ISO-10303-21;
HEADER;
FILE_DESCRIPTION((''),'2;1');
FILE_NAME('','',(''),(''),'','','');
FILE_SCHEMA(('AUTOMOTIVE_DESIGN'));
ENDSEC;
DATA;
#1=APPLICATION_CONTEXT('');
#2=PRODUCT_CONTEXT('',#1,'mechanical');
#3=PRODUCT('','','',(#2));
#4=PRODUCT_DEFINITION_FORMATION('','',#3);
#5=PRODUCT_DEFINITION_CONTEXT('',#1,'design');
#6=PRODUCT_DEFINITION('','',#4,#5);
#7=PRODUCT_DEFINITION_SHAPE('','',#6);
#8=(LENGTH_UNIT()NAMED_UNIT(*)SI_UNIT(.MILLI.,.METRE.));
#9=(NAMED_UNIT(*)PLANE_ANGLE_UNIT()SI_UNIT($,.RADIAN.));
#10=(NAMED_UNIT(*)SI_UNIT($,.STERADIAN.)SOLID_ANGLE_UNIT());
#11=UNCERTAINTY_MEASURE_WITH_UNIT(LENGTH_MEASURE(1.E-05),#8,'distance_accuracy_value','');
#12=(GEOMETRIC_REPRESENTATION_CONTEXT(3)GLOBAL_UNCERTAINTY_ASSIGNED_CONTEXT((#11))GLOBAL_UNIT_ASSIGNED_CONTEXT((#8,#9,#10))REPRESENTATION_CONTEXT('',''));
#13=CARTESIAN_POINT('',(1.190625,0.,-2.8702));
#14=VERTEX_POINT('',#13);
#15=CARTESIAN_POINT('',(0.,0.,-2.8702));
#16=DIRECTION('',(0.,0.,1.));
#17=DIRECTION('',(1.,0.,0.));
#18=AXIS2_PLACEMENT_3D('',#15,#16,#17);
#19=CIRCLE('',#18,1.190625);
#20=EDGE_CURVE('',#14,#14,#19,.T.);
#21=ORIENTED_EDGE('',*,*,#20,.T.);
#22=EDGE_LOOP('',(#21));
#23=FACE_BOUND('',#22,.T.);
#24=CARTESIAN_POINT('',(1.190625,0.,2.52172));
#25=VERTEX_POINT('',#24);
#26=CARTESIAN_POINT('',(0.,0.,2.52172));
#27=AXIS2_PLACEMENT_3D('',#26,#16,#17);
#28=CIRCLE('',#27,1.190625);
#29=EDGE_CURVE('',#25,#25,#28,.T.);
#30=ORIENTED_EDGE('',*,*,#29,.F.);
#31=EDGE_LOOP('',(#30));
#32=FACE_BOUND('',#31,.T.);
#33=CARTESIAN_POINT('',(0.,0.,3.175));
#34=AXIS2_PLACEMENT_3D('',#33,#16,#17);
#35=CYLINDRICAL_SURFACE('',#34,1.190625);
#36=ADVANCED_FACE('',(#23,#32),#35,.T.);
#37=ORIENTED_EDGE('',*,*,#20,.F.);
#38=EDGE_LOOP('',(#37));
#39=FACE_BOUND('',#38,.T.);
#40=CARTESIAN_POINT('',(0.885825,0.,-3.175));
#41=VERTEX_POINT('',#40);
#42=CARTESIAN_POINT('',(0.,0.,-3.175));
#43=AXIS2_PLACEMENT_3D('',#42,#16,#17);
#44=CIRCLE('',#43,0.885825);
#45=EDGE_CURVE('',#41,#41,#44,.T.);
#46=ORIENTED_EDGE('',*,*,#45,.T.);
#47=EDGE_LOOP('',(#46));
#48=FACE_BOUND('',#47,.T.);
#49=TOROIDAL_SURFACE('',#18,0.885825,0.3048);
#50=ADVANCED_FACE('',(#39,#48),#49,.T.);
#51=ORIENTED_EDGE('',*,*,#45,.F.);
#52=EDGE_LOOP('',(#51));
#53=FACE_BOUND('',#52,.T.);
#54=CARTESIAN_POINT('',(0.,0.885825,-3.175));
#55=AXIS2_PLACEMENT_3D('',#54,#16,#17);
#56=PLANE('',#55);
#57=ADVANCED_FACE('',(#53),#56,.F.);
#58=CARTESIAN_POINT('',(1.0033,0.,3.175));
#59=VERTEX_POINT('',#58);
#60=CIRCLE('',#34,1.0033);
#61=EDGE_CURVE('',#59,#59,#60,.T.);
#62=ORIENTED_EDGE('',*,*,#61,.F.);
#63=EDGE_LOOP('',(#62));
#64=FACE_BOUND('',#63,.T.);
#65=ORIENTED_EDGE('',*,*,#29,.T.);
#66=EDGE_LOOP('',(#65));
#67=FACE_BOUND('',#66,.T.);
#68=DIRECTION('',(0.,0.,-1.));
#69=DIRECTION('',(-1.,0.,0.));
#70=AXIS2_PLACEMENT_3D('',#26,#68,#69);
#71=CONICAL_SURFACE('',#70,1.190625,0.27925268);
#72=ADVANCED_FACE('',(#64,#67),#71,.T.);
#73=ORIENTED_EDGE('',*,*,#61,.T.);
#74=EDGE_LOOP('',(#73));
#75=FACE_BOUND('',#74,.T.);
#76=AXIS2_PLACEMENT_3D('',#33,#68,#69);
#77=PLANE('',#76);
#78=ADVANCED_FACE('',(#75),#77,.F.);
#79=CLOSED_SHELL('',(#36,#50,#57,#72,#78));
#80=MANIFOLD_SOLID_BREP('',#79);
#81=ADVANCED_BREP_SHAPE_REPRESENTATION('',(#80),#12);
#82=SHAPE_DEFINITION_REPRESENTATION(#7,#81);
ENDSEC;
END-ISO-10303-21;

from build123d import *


with BuildPart() as part:
    # Sketch3 → Revolve1 (revolve)
    with BuildSketch(Plane(origin=(0, 0, 0), x_dir=(0, 0, -1), z_dir=(1, 0, 0)), mode=Mode.PRIVATE) as revolve1_sk:
        with BuildLine():
            Line((3.175, 0.885825), (3.175, 0))
            Line((3.175, 0), (-3.175, 0))
            Line((-3.175, 0), (-3.175, 1.0033))
            Line((-3.175, 1.0033), (-2.521720089, 1.190625))
            Line((-2.521720089, 1.190625), (2.8702, 1.190625))
            ThreePointArc((2.8702, 1.190625), (3.085726147, 1.101351147), (3.175, 0.885825))
        make_face()
    revolve(revolve1_sk.sketch.rotate(Axis((0, 0, 3.175), (0, 0, -1)), 90), axis=Axis((0, 0, 3.175), (0, 0, -1)))


solid = part.part
